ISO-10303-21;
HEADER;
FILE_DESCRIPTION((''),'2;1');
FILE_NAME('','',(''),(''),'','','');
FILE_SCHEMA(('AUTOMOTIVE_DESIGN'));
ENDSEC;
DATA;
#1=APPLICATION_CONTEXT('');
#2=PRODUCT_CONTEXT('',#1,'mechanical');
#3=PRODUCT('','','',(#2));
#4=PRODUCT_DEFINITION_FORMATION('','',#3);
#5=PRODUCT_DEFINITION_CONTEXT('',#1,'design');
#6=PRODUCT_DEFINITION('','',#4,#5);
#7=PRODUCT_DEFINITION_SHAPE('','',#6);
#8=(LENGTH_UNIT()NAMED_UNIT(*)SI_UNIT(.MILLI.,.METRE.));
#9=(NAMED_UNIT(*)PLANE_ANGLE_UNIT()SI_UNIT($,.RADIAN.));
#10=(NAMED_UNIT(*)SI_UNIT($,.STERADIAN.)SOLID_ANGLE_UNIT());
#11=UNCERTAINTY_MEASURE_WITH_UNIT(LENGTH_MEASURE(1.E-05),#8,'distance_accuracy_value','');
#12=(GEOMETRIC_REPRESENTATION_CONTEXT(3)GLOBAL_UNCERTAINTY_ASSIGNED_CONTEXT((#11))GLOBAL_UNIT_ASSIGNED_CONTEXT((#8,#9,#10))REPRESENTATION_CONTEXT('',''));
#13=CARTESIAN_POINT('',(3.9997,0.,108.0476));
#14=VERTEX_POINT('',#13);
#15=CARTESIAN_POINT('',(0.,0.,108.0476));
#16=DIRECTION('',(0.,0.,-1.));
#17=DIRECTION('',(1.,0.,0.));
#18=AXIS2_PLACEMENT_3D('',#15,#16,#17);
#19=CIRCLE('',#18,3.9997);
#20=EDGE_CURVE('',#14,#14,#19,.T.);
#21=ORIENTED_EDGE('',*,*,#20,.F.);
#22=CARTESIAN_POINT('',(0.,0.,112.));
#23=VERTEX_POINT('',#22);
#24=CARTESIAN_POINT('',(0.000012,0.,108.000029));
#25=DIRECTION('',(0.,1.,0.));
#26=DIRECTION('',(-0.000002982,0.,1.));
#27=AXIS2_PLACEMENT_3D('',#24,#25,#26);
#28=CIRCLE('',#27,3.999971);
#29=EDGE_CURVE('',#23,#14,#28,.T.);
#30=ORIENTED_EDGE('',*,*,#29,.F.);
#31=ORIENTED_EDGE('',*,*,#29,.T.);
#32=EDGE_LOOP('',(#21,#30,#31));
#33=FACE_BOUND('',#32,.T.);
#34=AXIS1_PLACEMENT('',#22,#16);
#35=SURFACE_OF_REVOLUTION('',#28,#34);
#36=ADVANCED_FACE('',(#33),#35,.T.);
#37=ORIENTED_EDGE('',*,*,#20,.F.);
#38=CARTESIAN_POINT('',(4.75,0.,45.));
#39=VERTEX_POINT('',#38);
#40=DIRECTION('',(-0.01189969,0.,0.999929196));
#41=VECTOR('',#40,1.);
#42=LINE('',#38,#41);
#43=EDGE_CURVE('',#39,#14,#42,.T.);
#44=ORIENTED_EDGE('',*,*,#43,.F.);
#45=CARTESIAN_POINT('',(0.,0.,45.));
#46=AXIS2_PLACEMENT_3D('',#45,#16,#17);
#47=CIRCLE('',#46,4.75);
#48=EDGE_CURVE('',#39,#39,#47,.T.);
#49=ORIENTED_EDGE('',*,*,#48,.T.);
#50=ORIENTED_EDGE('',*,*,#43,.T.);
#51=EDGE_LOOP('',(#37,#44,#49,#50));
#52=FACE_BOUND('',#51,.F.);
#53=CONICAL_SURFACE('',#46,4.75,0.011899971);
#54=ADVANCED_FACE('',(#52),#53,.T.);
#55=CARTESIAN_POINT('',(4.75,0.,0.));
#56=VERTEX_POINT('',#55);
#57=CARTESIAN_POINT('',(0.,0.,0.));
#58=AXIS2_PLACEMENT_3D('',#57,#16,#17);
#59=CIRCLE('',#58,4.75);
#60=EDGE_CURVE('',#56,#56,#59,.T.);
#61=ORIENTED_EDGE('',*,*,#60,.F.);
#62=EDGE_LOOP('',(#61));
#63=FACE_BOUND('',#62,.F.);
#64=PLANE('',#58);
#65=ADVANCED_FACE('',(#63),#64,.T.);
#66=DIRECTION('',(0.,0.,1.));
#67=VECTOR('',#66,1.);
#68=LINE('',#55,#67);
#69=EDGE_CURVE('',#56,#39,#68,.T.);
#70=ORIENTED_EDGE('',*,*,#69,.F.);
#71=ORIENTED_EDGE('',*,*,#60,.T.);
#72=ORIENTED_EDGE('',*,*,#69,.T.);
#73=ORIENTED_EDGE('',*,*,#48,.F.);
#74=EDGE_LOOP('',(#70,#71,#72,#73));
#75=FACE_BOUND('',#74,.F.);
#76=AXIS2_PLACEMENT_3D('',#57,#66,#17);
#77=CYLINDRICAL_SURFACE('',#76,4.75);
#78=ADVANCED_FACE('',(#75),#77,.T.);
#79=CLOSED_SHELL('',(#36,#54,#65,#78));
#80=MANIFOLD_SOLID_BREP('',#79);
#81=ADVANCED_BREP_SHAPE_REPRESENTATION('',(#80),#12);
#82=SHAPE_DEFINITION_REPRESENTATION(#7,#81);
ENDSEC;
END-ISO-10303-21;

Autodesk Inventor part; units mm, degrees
ref_plane "YZ Plane" through (0, 0, 0) normal (1, 0, 0) x (0, 1, 0)
ref_plane "XZ Plane" through (0, 0, 0) normal (0, 1, 0) x (-1, 0, 0)
ref_plane "XY Plane" through (0, 0, 0) normal (0, 0, 1) x (1, 0, 0)
sketch "スケッチ2" plane through (0, 0, 0) normal (0, 1, 0) x (-1, 0, 0)
  line L0 (0, 0) -> (-4.75, 0)
  line L1 (0, 112) -> (0, 0)
  line L2 (-4.75, 0) -> (-4.75, 45)
  arc A0 (0, 112) -> (-3.9997, 108.0476) centre (0, 108) ccw
  line L3 (-4.75, 45) -> (-3.9997, 108.0476)
  dimension "d4" = 4.75
  dimension "d6" = 112
  dimension "d8" = 45
  dimension "d9" = 4
revolve "回転1" add sketch "スケッチ2" angle 360 about axis through (0, 0, 112) along (0, 0, -1)
properties part number "アンテナ" material "アセタール樹脂、黒"
